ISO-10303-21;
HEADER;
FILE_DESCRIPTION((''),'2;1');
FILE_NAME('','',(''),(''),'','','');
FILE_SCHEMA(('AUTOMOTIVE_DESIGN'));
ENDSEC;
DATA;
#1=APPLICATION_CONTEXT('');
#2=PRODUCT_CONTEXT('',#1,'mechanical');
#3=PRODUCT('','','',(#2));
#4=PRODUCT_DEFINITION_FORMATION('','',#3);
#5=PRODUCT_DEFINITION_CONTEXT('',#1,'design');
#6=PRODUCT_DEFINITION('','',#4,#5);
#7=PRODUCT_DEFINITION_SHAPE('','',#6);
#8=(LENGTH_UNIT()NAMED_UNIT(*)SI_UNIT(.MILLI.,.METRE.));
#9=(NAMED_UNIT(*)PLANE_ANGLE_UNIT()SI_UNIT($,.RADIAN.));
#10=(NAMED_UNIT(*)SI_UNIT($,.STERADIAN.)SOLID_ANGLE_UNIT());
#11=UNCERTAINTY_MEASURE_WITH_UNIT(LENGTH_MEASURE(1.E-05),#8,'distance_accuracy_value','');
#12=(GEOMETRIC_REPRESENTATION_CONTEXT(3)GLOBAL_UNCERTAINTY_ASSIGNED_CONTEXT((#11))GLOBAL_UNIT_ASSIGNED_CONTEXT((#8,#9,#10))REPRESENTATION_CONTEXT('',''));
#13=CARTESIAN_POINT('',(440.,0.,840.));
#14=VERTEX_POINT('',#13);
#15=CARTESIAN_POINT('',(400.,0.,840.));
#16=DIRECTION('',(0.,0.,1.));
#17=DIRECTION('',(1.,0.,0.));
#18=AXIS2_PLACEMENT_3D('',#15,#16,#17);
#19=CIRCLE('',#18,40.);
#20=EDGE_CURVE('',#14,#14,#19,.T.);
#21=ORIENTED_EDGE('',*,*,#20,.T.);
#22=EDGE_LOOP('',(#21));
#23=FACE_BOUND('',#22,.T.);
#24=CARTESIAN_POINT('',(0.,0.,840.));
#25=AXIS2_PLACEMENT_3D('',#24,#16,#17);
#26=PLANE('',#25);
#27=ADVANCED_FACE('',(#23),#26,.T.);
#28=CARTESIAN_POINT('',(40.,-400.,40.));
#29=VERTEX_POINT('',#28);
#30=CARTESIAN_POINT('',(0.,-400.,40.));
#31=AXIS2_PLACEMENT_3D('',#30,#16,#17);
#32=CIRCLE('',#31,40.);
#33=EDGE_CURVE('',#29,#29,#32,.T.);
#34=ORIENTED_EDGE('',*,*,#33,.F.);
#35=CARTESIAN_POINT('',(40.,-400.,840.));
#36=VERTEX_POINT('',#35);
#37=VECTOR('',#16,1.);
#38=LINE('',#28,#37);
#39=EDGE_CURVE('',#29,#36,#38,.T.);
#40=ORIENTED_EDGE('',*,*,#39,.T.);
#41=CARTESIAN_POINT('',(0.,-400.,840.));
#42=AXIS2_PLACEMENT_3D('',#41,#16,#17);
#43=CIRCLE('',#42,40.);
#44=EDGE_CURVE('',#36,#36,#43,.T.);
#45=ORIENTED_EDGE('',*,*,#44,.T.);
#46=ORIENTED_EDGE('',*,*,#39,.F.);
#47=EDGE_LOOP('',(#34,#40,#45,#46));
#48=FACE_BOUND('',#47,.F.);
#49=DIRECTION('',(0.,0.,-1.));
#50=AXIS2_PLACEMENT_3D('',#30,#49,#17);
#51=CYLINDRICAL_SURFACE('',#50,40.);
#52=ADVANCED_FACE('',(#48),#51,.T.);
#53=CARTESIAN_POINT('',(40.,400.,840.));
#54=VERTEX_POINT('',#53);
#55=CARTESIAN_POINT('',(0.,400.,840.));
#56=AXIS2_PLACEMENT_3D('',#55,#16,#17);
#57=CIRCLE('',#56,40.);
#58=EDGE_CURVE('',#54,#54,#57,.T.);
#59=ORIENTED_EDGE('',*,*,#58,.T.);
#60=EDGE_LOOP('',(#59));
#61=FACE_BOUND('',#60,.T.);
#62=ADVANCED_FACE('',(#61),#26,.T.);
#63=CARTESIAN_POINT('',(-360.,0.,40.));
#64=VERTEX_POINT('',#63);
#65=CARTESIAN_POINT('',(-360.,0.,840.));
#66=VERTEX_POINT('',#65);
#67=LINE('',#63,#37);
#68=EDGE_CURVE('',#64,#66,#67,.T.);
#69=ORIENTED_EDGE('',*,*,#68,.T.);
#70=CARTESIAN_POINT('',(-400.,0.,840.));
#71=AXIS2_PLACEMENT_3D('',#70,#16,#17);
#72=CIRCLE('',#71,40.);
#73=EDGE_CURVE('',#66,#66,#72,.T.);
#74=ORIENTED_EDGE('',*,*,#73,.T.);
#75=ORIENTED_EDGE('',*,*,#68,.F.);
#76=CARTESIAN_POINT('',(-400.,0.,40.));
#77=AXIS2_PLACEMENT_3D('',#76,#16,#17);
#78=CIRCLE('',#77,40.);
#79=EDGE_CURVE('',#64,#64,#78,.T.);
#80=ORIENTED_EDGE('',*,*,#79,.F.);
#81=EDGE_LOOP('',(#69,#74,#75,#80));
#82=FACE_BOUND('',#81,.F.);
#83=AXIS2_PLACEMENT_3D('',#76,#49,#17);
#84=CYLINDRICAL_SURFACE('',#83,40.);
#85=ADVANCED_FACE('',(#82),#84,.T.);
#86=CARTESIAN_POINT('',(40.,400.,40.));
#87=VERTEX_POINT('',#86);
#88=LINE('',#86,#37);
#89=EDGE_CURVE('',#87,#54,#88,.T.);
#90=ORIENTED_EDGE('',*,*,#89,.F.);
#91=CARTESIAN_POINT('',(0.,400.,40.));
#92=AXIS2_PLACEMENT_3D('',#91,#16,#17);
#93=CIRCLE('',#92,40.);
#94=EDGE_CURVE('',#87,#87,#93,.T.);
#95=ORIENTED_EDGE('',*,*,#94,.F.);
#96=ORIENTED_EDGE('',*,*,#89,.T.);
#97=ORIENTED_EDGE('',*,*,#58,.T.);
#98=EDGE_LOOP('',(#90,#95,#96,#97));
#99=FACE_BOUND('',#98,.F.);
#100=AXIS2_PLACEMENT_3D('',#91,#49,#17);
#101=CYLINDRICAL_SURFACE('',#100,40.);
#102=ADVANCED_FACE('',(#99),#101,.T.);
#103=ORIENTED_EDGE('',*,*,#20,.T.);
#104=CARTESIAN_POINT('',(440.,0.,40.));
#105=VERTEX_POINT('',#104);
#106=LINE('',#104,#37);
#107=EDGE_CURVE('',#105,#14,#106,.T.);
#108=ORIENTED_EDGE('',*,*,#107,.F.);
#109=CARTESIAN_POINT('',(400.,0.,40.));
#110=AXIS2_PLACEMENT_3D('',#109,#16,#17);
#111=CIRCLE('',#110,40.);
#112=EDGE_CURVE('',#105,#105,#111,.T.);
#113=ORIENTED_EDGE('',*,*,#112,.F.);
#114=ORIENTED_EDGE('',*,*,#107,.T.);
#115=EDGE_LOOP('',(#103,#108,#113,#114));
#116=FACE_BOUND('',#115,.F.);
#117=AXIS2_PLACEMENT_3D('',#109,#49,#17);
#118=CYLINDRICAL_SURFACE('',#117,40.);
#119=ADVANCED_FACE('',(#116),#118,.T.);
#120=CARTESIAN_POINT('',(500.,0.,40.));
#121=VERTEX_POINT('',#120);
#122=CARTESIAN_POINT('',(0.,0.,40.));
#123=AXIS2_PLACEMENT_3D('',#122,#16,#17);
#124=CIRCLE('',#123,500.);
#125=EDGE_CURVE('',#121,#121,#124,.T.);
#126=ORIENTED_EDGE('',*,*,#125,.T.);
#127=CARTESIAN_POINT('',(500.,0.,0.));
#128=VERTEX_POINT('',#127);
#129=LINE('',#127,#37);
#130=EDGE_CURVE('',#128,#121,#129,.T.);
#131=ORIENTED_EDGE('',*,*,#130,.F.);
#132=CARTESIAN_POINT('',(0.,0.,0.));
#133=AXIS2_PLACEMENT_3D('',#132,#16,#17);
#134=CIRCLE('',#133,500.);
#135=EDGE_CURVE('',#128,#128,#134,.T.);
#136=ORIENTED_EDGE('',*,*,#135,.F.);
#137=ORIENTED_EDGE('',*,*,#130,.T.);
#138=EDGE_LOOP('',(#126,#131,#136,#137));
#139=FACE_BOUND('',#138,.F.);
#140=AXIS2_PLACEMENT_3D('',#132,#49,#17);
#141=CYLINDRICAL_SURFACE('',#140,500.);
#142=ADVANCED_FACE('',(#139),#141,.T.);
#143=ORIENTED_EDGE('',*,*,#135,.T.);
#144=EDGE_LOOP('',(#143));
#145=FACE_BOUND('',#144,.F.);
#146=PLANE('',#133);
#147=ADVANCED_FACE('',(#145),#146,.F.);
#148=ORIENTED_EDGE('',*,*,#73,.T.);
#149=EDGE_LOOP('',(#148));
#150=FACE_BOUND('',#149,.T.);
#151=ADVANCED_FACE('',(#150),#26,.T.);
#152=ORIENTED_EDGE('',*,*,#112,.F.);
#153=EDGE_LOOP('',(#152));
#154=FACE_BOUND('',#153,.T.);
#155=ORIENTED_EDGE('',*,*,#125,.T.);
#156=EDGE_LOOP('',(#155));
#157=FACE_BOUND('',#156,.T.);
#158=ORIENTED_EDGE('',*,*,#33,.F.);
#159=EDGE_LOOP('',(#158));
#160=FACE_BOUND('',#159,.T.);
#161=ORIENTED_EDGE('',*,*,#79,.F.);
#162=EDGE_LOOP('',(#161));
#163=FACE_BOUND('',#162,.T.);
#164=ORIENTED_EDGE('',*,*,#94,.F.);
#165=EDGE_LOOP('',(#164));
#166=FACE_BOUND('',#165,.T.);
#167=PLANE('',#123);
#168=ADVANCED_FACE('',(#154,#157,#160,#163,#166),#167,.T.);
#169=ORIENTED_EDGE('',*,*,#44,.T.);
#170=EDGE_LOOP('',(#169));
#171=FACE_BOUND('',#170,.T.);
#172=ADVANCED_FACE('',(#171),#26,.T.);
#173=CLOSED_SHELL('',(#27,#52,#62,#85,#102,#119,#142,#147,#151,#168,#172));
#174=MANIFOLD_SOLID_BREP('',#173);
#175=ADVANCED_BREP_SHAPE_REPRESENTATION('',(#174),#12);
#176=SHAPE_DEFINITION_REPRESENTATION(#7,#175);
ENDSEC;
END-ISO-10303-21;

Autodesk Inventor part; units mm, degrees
ref_plane "YZ Plane" through (0, 0, 0) normal (1, 0, 0) x (0, 1, 0)
ref_plane "XZ Plane" through (0, 0, 0) normal (0, 1, 0) x (-1, 0, 0)
sketch "Sketch1" plane through (0, 0, 0) normal (0, 0, 1) x (1, 0, 0)
  circle A0 centre (0, 0) radius 500
  dimension "d0" = 1000
extrude "Extrusion1" add sketch "Sketch1" along normal blind 40
ref_plane "Work Plane1" through (0, 0, 40) normal (0, 0, 1) x (1, 0, 0)
sketch "Sketch2" plane through (0, 0, 40) normal (0, 0, 1) x (1, 0, 0)
  circle A0 centre (0, 400) radius 40
  circle A1 centre (400, 0) radius 40
  circle A2 centre (0, -400) radius 40
  circle A3 centre (-400, 0) radius 40
  point P0 (0, 0)
  dimension "d4" = 80
  dimension "d5" = 80
  dimension "d6" = 80
  dimension "d7" = 80
  dimension "d8" = 400
  dimension "d9" = 400
  dimension "d10" = 400
  dimension "d11" = 400
extrude "Extrusion2" add sketch "Sketch2" along normal blind 800
properties part number "Maitri_table"
